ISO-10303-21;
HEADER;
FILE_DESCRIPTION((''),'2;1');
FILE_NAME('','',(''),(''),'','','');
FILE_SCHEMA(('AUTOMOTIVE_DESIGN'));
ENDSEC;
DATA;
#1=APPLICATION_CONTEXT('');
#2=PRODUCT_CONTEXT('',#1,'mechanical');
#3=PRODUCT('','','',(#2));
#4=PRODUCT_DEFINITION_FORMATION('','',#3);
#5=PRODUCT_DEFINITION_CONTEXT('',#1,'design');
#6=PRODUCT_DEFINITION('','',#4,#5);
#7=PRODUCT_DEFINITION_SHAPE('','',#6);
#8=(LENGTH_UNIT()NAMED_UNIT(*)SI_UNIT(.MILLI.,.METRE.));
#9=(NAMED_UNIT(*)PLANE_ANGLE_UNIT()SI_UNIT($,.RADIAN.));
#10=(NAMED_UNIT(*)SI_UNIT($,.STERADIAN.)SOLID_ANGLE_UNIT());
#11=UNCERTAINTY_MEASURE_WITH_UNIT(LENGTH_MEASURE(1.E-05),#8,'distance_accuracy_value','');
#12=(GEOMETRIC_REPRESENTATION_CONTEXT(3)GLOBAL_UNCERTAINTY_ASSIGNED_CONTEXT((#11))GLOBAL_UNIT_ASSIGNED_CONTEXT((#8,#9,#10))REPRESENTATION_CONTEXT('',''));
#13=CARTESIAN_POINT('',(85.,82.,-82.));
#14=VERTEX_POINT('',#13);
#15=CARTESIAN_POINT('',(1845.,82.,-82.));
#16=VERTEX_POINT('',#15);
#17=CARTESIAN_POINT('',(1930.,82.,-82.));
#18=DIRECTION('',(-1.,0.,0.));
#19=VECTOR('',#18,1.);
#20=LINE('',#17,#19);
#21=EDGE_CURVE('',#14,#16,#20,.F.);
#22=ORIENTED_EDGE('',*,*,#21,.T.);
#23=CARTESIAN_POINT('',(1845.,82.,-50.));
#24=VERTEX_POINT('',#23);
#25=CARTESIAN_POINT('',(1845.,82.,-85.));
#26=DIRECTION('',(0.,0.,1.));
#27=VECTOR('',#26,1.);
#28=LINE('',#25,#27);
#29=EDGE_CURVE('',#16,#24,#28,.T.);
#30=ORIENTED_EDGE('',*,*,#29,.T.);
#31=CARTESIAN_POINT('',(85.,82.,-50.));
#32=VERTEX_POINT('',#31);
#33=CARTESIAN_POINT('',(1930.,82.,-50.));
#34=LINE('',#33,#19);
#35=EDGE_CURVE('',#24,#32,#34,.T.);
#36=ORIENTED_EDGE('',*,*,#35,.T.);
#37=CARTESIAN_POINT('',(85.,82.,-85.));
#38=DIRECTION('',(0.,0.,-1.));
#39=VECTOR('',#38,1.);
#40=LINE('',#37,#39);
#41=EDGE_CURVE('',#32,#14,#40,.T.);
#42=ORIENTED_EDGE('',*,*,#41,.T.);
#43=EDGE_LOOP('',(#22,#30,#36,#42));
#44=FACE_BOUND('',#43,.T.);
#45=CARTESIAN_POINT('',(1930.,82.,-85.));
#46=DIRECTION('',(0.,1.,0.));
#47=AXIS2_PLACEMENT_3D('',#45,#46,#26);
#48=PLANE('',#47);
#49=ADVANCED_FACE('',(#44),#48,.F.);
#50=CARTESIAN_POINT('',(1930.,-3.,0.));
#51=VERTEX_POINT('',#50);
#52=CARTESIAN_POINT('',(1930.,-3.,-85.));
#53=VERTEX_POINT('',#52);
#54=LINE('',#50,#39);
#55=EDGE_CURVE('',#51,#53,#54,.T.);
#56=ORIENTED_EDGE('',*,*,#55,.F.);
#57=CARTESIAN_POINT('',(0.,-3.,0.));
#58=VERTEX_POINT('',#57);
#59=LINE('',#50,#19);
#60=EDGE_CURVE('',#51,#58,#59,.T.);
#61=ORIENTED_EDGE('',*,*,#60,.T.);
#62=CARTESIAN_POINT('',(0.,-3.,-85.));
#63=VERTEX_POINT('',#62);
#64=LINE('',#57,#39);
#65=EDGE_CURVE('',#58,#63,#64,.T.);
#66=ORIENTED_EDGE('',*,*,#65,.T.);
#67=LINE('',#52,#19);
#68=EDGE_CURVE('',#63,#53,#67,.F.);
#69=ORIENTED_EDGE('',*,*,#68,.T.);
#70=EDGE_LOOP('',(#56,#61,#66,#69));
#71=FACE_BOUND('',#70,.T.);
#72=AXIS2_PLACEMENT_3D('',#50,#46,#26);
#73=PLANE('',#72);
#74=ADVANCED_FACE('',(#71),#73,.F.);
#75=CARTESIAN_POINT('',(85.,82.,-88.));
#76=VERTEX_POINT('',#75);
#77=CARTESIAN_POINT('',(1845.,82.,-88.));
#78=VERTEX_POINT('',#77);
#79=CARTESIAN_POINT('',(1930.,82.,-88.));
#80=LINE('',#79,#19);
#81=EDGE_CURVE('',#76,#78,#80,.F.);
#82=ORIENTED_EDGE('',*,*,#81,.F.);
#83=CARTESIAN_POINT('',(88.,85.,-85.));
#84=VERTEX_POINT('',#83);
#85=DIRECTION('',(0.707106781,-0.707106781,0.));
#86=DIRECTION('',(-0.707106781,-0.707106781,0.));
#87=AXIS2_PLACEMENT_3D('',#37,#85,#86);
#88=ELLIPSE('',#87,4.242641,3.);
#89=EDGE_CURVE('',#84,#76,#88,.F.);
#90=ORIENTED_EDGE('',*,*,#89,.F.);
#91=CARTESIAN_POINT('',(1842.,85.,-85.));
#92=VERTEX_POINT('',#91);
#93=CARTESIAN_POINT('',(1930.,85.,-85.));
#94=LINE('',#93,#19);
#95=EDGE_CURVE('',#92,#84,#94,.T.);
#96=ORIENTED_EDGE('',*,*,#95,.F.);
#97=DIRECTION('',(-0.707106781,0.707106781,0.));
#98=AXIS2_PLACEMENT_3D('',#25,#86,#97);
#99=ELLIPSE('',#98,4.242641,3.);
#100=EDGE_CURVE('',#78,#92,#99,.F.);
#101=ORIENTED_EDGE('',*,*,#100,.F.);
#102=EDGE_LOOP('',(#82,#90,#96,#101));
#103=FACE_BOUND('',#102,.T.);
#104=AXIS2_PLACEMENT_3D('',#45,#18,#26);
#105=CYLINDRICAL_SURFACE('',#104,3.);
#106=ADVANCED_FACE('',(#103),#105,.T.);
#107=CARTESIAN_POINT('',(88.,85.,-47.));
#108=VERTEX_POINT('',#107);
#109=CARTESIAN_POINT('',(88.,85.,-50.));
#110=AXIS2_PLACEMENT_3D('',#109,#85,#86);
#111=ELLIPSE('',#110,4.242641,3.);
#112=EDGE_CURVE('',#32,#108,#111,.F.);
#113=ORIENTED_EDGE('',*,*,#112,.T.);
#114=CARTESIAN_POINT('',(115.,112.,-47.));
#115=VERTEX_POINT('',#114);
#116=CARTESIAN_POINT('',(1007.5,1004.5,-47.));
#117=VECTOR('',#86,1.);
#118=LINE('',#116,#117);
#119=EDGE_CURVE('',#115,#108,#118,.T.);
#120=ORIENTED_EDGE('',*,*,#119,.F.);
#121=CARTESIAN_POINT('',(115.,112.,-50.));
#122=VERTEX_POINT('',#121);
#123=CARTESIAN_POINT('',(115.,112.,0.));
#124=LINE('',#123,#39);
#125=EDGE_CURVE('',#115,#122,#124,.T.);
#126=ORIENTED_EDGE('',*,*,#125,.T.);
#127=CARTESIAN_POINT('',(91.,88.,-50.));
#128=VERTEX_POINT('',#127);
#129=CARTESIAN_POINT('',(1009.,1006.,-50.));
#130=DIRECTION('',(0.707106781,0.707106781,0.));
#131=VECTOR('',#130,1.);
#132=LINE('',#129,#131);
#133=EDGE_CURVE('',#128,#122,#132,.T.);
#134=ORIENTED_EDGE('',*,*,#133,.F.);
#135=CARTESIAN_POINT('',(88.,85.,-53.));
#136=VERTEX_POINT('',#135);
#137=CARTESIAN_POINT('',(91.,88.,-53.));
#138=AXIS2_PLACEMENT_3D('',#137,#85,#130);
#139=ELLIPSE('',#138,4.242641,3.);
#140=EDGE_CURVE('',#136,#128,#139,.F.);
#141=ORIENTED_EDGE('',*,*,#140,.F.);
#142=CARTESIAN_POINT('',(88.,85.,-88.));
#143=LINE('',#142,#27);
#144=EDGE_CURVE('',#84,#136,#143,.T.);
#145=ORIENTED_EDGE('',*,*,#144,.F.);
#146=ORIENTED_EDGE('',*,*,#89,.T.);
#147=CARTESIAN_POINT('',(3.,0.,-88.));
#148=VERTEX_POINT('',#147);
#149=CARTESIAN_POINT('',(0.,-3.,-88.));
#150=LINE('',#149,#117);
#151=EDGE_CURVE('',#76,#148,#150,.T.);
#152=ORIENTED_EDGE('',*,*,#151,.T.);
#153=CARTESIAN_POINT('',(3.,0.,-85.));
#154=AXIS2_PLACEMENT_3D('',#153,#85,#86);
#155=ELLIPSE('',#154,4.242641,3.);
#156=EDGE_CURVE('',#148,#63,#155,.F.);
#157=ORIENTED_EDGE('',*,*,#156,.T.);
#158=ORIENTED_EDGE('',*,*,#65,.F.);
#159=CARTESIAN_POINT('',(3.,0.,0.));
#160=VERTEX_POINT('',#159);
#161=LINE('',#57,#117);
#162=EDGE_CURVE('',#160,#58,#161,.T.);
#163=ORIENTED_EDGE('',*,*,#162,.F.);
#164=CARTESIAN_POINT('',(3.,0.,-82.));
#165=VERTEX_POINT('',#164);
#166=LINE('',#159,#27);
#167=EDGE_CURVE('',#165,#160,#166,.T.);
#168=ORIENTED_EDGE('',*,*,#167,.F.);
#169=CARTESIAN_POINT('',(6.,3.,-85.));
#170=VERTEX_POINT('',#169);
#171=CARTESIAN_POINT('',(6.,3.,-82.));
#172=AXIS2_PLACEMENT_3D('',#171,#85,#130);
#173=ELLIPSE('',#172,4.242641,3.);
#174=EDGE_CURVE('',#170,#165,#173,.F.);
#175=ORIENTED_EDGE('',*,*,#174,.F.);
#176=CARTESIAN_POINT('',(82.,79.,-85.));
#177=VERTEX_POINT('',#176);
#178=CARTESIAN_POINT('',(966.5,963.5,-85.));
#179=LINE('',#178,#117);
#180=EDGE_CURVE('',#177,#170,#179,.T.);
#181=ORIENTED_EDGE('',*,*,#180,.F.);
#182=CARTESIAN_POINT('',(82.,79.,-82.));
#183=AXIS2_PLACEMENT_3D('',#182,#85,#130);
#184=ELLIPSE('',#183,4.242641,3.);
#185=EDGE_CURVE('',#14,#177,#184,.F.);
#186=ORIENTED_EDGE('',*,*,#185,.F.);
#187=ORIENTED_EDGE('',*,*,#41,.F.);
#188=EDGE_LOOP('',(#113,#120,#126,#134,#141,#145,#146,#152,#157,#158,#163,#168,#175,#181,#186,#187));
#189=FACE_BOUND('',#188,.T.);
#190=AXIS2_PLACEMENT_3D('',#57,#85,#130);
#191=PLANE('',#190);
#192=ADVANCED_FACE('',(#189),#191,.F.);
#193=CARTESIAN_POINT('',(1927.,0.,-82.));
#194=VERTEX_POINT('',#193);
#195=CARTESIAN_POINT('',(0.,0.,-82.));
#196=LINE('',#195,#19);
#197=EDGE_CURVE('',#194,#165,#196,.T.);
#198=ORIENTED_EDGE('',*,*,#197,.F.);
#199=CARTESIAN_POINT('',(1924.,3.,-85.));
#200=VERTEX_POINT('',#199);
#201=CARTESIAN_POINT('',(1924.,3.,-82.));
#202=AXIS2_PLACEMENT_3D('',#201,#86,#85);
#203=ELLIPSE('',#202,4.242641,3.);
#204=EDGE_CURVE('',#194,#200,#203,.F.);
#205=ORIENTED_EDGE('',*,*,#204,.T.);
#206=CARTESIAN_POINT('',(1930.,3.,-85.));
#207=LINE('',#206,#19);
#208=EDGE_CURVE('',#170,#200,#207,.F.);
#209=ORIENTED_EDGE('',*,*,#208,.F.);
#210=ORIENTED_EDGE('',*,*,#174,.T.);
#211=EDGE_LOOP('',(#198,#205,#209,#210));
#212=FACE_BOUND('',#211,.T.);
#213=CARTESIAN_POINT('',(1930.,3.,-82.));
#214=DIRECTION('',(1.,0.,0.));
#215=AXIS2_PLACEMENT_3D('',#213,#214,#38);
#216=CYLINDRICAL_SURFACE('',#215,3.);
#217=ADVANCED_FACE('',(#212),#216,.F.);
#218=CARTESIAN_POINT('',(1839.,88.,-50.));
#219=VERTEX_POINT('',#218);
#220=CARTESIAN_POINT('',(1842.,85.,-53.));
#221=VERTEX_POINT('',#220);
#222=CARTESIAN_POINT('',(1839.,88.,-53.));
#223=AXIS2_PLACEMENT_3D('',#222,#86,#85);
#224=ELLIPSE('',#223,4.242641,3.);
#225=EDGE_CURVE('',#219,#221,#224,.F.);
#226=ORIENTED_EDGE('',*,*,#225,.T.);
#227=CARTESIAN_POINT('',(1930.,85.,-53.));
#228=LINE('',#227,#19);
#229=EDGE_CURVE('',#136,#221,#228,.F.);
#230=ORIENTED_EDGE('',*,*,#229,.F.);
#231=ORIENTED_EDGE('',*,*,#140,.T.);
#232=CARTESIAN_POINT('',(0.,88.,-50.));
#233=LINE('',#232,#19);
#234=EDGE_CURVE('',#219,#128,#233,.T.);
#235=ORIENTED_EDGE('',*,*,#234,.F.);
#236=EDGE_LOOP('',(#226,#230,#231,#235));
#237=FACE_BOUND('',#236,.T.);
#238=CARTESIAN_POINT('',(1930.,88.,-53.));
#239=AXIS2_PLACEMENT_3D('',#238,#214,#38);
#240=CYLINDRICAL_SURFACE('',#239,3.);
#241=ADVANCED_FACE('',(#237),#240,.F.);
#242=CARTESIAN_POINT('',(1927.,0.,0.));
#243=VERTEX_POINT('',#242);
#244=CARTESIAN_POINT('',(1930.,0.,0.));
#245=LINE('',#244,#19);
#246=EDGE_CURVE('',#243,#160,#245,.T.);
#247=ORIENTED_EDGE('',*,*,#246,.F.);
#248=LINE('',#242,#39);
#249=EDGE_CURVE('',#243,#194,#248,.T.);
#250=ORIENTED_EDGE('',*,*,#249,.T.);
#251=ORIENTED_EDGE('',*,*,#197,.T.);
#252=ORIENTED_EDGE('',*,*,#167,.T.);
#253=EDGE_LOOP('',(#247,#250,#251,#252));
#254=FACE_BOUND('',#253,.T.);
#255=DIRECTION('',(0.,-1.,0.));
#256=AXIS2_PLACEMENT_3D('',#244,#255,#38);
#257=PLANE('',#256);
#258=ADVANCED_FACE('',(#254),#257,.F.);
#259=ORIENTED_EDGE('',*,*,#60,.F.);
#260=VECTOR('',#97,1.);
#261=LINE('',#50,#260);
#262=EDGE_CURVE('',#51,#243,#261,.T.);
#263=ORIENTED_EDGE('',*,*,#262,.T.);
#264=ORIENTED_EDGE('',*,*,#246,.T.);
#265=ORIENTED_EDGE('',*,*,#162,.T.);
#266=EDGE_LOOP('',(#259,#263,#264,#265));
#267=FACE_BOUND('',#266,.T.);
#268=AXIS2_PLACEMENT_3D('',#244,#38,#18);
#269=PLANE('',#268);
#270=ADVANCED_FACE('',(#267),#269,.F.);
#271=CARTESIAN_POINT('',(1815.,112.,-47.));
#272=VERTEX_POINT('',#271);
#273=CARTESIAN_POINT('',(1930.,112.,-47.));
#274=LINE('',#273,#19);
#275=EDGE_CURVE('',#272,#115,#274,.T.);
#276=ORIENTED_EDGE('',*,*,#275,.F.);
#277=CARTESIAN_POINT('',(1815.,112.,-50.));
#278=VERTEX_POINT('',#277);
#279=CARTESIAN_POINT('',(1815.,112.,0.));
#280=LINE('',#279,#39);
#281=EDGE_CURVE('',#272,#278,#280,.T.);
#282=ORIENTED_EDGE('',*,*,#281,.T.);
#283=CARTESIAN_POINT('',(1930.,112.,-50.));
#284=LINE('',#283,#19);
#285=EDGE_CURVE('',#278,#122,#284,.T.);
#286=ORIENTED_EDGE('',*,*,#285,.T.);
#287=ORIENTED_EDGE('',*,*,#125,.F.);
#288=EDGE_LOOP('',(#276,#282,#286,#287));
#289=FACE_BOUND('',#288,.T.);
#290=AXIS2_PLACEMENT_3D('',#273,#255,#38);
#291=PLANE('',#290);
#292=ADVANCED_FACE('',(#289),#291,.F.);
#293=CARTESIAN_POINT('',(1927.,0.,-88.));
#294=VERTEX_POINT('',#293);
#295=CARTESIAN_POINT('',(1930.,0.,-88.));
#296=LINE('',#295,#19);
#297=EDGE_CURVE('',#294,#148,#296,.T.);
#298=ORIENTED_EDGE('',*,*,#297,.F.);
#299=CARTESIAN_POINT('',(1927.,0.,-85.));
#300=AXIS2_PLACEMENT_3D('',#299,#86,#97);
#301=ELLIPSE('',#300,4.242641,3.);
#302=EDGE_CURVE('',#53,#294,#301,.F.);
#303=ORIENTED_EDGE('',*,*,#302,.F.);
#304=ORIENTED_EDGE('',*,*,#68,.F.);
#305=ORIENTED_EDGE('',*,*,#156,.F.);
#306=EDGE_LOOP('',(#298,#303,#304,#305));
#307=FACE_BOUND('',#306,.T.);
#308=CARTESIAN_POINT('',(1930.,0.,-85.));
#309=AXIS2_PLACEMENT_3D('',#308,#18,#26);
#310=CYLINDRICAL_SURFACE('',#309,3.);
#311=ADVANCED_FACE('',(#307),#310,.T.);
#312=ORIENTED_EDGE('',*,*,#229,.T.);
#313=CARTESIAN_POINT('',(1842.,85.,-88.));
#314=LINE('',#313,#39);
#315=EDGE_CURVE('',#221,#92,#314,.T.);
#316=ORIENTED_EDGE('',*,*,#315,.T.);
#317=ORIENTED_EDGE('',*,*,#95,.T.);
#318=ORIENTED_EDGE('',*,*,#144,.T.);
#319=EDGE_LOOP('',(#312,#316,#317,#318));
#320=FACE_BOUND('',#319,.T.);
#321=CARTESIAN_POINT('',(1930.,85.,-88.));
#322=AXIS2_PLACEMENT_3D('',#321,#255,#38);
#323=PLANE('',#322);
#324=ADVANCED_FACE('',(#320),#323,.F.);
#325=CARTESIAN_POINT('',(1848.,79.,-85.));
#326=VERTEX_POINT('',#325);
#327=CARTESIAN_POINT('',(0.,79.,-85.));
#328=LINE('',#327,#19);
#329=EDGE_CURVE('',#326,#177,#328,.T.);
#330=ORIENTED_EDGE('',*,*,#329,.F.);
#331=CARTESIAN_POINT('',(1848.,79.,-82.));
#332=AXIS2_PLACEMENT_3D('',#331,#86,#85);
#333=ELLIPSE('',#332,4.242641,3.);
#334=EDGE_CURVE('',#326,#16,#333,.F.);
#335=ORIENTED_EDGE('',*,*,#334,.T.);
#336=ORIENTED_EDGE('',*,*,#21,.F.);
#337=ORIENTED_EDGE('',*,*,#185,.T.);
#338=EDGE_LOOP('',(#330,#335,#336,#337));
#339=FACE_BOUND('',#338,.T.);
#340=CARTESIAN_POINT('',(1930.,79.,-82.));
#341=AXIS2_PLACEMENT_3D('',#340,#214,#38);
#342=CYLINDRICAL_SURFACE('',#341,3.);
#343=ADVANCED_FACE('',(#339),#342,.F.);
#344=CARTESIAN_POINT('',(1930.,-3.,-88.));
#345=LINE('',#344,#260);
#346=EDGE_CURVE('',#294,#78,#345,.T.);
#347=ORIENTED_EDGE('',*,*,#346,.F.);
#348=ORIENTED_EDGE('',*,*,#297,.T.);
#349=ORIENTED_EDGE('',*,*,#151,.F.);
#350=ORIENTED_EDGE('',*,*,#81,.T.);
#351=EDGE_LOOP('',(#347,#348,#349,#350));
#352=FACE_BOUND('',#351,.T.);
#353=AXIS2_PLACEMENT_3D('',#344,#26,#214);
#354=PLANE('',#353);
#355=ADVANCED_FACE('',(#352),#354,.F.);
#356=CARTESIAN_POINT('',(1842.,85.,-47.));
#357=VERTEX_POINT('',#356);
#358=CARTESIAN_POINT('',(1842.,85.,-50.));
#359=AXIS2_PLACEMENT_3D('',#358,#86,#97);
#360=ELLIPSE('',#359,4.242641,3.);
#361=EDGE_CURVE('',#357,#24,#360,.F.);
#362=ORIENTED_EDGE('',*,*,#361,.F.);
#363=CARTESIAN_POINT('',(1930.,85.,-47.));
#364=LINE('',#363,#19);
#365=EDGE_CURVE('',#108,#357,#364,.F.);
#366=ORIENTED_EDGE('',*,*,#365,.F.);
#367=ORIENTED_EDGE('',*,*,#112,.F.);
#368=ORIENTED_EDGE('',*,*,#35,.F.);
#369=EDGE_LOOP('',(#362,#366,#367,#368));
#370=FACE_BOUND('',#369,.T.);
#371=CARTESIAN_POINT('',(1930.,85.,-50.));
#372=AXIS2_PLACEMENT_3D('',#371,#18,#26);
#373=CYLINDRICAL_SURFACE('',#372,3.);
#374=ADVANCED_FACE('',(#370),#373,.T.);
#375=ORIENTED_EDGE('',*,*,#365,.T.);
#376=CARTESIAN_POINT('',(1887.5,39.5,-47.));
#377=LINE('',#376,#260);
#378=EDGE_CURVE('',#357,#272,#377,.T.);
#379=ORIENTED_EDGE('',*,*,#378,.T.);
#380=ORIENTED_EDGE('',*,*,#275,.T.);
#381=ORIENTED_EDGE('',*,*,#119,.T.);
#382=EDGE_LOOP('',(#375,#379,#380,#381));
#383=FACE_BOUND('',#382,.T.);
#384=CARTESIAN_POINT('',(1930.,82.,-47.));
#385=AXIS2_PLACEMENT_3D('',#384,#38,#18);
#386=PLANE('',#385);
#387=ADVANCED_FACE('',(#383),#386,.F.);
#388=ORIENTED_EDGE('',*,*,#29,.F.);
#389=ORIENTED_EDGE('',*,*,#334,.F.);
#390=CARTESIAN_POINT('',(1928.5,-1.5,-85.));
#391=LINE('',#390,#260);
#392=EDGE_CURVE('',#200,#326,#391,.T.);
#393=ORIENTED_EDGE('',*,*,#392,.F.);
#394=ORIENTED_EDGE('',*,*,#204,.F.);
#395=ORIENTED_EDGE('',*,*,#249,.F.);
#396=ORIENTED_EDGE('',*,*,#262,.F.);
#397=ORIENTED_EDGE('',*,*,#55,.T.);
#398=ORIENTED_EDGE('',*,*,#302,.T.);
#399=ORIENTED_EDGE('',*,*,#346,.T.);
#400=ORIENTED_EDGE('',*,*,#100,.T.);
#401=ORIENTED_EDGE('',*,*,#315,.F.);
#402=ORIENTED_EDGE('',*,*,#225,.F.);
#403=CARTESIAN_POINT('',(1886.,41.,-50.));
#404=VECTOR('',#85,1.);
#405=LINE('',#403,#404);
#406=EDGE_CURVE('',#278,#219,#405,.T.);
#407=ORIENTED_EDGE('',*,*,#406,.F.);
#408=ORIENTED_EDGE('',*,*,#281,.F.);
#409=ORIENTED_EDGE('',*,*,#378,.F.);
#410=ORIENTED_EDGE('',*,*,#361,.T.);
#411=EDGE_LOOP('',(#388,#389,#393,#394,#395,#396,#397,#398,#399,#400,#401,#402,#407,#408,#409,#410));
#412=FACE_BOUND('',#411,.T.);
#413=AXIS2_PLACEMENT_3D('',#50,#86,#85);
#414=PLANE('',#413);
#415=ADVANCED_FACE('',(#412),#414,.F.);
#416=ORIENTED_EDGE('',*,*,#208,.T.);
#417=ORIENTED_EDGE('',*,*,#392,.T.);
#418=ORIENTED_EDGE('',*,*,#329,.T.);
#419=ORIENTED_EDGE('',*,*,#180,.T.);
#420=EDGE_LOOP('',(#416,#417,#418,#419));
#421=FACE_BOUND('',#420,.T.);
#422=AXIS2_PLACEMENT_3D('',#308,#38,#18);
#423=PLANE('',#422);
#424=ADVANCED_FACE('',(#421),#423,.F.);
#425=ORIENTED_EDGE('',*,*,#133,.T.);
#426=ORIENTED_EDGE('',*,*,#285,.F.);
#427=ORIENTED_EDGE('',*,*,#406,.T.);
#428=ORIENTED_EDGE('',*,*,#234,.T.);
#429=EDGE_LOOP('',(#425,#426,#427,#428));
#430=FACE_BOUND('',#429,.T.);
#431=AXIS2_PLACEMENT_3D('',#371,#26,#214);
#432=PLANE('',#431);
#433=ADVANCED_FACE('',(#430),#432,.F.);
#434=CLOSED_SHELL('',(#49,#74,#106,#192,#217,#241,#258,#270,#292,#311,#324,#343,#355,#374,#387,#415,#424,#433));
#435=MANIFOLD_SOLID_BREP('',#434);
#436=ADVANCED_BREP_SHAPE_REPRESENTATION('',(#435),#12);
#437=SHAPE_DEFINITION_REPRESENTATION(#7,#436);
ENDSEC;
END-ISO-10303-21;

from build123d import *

# Parameters (mm, degrees)
BOSS_EXTRUDE1_DEPTH = 1930
FILLET1_R           = 3
CUT_EXTRUDE1_DEPTH  = 88
CUT_EXTRUDE2_DEPTH  = 88


with BuildPart() as part:
    # Sketch1 → Boss-Extrude1 (new body)
    with BuildSketch(Plane(origin=(0, 0, 0), x_dir=(0, 0, -1), z_dir=(1, 0, 0))):
        Polygon((0, 0), (85, 0), (85, 82), (47, 82), (47, 112), (50, 112), (50, 85), (88, 85), (88, -3), (0, -3), align=None)
    extrude(amount=BOSS_EXTRUDE1_DEPTH)

    # Fillet1
    fillet1_edges = [part.edges().sort_by_distance(p)[0] for p in [
        (965, 0, -85),
        (965, 82, -85),
        (965, 82, -47),
        (965, 85, -50),
        (965, 85, -88),
        (965, -3, -88),
    ]]
    fillet(fillet1_edges, radius=FILLET1_R)

    # Sketch4 → Cut-Extrude1 (cut)
    with BuildSketch(Plane(origin=(0, 0, -88), x_dir=(-1, 0, 0), z_dir=(0, 0, -1))):
        Polygon((-1930, -3), (-1815, 112), (-1930, 112), align=None)
    extrude(amount=-CUT_EXTRUDE1_DEPTH, mode=Mode.SUBTRACT)

    # Sketch5 → Cut-Extrude2 (cut)
    with BuildSketch(Plane(origin=(0, 0, -88), x_dir=(-1, 0, 0), z_dir=(0, 0, -1))):
        Polygon((0, -3), (-115, 112), (0, 112), align=None)
    extrude(amount=-CUT_EXTRUDE2_DEPTH, mode=Mode.SUBTRACT)


solid = part.part
